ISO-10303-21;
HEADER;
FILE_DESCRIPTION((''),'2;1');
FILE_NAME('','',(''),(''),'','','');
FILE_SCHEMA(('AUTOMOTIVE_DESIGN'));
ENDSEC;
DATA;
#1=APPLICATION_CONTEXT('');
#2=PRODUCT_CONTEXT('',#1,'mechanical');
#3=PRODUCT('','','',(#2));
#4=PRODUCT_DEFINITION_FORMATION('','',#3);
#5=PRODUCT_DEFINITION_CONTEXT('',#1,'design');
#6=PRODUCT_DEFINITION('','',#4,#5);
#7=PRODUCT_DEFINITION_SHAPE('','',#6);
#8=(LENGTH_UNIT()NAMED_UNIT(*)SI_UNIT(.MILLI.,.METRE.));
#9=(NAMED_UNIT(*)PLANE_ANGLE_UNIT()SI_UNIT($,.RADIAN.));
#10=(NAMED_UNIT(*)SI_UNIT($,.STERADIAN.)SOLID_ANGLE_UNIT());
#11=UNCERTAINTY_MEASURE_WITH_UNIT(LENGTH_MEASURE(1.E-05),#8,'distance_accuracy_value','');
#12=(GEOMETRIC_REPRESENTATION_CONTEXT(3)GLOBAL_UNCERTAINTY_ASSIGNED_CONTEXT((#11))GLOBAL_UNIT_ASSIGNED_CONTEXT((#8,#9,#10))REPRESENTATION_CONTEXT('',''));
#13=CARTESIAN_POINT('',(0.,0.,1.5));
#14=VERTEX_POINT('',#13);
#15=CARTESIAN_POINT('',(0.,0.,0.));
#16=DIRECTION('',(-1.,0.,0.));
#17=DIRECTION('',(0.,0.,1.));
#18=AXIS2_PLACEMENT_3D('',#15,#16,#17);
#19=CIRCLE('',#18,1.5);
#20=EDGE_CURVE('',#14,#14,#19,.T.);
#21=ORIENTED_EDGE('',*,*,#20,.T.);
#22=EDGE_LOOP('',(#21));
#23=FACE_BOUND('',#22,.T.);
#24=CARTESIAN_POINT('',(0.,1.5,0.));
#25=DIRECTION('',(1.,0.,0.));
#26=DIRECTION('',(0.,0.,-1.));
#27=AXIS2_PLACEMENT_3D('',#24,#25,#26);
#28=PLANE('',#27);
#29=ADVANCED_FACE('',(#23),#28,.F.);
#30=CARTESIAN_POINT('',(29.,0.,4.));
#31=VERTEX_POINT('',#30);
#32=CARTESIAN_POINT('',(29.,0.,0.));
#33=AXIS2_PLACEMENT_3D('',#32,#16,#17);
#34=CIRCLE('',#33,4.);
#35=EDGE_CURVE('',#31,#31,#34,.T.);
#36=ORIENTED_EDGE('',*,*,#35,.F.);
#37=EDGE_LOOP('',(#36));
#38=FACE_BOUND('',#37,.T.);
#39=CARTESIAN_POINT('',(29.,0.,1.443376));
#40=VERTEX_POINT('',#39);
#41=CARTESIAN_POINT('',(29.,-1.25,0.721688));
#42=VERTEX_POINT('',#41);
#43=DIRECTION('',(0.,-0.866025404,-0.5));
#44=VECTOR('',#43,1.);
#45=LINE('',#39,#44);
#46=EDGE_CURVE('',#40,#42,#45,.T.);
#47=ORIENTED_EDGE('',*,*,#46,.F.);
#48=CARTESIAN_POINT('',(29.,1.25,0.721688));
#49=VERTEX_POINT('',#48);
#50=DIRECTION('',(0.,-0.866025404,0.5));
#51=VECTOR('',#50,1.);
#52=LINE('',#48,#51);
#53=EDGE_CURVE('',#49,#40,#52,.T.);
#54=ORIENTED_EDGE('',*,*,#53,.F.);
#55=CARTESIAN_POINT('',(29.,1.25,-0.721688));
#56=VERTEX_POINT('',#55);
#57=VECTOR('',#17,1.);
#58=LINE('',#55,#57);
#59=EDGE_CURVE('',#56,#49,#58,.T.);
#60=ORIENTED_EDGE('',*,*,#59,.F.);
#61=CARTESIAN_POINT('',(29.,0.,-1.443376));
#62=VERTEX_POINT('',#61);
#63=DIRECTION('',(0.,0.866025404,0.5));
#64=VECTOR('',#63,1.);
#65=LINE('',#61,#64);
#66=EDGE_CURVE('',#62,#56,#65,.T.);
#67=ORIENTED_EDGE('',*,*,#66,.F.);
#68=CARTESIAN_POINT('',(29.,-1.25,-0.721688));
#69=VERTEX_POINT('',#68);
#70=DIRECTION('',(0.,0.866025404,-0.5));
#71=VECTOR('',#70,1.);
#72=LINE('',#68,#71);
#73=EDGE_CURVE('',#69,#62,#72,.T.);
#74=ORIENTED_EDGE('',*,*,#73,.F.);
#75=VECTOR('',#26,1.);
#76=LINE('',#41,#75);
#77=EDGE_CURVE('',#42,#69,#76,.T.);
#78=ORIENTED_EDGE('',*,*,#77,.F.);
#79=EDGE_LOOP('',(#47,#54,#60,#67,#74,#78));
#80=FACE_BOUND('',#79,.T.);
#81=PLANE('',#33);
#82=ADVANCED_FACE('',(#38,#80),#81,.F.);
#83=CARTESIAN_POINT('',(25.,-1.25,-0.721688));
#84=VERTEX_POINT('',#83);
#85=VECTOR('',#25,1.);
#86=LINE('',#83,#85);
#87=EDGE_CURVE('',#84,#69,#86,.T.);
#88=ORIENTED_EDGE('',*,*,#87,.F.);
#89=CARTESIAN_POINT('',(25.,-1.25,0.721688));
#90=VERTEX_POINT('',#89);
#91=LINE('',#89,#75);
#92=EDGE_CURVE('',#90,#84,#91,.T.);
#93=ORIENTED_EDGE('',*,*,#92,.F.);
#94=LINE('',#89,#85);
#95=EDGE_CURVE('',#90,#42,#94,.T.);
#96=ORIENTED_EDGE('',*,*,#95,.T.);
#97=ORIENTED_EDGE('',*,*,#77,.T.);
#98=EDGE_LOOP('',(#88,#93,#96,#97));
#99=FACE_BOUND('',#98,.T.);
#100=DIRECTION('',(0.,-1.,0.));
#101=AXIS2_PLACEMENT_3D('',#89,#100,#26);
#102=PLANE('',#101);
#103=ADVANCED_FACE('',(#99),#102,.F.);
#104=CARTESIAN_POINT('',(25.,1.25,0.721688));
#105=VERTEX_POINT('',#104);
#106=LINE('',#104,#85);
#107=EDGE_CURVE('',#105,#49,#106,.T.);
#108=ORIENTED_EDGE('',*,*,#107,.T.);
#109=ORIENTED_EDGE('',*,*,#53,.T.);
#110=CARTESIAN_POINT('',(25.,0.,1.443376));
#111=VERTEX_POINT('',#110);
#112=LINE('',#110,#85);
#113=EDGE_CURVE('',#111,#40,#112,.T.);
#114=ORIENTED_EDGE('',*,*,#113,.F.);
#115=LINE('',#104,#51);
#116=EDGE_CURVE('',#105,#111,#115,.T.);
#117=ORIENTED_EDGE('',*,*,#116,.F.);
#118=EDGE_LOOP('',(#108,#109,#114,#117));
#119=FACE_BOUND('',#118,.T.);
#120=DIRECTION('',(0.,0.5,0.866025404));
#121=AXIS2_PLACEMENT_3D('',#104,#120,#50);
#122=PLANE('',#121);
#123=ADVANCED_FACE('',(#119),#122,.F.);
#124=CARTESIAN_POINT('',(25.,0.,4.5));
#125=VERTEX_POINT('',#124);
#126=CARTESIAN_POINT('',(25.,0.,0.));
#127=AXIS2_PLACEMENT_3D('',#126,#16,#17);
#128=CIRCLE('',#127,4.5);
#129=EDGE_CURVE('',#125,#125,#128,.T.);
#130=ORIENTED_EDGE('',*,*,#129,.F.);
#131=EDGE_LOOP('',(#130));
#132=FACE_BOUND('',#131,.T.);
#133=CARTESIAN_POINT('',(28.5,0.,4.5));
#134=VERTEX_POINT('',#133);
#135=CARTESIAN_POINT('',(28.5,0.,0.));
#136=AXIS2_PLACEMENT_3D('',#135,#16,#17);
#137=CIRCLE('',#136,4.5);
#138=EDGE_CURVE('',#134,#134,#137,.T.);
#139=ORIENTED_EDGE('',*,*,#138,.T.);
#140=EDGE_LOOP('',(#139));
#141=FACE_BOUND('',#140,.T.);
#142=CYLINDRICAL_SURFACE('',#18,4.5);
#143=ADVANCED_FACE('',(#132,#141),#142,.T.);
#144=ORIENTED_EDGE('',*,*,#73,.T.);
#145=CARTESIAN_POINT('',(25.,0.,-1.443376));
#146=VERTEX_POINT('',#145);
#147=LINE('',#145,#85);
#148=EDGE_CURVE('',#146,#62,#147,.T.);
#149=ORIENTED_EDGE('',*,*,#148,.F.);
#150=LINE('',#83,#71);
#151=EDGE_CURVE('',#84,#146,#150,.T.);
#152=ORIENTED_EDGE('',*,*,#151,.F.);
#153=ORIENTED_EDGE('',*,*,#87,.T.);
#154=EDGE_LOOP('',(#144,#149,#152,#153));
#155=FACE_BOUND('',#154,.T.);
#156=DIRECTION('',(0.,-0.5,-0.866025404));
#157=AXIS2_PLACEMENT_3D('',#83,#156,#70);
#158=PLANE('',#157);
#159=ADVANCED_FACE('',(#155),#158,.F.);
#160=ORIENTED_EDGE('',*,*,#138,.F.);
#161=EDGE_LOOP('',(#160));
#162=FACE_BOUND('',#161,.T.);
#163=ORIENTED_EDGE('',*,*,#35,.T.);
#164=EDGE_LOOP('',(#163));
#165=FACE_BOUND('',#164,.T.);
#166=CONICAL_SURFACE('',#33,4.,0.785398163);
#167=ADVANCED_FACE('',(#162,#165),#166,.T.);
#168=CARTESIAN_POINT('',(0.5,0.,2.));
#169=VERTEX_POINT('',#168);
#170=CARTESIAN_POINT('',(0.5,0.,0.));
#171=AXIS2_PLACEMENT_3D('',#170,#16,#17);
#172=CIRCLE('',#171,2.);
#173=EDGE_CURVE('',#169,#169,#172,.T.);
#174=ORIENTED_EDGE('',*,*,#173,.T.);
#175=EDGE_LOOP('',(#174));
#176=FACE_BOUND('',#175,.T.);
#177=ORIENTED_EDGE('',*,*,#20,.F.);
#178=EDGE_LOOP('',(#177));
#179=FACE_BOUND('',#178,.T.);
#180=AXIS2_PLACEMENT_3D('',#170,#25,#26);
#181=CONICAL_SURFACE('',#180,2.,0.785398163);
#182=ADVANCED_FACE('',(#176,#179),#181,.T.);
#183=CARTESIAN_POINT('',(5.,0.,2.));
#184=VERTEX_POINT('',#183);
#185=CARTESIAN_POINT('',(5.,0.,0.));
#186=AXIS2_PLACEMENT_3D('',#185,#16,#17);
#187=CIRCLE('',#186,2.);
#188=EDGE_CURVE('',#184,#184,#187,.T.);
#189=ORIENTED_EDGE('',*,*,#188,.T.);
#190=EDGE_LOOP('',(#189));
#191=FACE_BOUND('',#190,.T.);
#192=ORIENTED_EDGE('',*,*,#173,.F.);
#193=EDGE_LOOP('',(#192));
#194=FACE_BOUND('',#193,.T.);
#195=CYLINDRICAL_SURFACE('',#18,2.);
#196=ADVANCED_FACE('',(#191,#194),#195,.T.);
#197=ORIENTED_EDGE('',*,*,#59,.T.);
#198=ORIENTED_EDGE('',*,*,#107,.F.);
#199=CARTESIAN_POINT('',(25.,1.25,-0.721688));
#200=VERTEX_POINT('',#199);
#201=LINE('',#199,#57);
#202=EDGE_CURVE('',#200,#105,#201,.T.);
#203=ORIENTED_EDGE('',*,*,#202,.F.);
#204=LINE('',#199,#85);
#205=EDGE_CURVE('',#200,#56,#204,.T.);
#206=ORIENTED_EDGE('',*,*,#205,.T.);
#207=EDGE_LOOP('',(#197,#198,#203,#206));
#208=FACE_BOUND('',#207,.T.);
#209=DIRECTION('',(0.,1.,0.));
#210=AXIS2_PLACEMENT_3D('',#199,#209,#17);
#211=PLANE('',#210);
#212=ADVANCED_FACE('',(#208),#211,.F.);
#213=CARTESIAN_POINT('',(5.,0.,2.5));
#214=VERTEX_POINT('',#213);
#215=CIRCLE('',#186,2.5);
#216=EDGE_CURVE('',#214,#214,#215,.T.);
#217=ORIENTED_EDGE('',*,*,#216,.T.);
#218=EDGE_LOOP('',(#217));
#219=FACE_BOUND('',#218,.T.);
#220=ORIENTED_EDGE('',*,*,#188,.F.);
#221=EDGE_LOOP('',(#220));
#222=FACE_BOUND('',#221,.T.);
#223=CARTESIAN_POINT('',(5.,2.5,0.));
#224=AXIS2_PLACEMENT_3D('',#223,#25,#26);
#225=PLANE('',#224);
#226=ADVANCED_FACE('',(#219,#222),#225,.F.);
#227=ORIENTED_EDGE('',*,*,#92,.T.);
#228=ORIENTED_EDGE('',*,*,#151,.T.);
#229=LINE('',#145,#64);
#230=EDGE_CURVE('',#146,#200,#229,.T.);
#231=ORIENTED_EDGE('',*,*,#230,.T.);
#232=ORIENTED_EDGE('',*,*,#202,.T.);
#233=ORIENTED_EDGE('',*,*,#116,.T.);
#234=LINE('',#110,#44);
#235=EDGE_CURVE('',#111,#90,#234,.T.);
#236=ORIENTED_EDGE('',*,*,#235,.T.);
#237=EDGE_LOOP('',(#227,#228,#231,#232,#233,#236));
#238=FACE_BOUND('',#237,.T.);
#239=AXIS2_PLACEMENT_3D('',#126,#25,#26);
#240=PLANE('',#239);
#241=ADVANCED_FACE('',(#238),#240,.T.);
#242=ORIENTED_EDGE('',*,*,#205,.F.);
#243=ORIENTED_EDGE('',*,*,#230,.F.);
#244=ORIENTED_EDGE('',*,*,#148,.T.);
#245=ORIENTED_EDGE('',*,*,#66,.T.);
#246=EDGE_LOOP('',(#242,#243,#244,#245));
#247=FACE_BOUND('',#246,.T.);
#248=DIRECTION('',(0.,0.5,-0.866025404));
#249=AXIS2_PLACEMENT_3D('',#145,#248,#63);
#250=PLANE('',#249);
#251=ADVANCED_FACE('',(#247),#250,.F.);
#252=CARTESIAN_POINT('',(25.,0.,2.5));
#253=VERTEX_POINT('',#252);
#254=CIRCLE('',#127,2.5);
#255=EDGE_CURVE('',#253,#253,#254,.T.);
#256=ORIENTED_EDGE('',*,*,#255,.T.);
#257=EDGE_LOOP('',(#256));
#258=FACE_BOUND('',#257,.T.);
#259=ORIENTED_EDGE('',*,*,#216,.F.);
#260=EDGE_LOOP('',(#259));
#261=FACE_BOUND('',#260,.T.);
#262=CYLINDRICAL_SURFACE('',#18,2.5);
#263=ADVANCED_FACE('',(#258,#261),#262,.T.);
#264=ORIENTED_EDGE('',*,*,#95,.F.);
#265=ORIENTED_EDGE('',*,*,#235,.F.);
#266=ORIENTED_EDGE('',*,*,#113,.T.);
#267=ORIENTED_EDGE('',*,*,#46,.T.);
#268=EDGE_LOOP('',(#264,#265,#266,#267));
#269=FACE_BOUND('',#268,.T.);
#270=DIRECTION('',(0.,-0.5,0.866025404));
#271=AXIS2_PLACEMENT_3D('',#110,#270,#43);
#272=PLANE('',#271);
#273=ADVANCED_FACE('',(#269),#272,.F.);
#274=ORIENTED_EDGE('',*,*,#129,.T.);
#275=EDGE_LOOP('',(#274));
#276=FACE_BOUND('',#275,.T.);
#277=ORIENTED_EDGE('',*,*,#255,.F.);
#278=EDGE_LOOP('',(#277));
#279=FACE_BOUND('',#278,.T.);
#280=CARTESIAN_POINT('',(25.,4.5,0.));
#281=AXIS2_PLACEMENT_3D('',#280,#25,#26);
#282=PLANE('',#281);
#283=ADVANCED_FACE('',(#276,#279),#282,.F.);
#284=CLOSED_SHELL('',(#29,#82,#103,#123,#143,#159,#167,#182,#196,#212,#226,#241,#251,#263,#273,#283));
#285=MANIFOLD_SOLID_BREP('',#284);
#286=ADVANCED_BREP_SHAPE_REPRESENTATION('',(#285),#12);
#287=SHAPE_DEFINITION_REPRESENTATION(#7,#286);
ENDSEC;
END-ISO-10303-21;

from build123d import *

# Parameters (mm, degrees)
CUT_EXTRUDE1_DEPTH = 4


with BuildPart() as part:
    # Sketch1 → Revolve1 (revolve)
    with BuildSketch(Plane.XY):
        Polygon((0, 0), (29, 0), (29, 4), (28.5, 4.5), (25, 4.5), (25, 2.5), (5, 2.5), (5, 2), (0.5, 2), (0, 1.5), align=None)
    revolve(axis=Axis((0, 0, 0), (1, 0, 0)))

    # Sketch2 → Cut-Extrude1 (cut)
    with BuildSketch(Plane(origin=(29, 0, 0), x_dir=(0, 0, -1), z_dir=(1, 0, 0))):
        Polygon((1.443375673, 0), (0.721687836, 1.25), (-0.721687836, 1.25), (-1.443375673, 0), (-0.721687836, -1.25), (0.721687836, -1.25), align=None)
    extrude(amount=-CUT_EXTRUDE1_DEPTH, mode=Mode.SUBTRACT)


solid = part.part
